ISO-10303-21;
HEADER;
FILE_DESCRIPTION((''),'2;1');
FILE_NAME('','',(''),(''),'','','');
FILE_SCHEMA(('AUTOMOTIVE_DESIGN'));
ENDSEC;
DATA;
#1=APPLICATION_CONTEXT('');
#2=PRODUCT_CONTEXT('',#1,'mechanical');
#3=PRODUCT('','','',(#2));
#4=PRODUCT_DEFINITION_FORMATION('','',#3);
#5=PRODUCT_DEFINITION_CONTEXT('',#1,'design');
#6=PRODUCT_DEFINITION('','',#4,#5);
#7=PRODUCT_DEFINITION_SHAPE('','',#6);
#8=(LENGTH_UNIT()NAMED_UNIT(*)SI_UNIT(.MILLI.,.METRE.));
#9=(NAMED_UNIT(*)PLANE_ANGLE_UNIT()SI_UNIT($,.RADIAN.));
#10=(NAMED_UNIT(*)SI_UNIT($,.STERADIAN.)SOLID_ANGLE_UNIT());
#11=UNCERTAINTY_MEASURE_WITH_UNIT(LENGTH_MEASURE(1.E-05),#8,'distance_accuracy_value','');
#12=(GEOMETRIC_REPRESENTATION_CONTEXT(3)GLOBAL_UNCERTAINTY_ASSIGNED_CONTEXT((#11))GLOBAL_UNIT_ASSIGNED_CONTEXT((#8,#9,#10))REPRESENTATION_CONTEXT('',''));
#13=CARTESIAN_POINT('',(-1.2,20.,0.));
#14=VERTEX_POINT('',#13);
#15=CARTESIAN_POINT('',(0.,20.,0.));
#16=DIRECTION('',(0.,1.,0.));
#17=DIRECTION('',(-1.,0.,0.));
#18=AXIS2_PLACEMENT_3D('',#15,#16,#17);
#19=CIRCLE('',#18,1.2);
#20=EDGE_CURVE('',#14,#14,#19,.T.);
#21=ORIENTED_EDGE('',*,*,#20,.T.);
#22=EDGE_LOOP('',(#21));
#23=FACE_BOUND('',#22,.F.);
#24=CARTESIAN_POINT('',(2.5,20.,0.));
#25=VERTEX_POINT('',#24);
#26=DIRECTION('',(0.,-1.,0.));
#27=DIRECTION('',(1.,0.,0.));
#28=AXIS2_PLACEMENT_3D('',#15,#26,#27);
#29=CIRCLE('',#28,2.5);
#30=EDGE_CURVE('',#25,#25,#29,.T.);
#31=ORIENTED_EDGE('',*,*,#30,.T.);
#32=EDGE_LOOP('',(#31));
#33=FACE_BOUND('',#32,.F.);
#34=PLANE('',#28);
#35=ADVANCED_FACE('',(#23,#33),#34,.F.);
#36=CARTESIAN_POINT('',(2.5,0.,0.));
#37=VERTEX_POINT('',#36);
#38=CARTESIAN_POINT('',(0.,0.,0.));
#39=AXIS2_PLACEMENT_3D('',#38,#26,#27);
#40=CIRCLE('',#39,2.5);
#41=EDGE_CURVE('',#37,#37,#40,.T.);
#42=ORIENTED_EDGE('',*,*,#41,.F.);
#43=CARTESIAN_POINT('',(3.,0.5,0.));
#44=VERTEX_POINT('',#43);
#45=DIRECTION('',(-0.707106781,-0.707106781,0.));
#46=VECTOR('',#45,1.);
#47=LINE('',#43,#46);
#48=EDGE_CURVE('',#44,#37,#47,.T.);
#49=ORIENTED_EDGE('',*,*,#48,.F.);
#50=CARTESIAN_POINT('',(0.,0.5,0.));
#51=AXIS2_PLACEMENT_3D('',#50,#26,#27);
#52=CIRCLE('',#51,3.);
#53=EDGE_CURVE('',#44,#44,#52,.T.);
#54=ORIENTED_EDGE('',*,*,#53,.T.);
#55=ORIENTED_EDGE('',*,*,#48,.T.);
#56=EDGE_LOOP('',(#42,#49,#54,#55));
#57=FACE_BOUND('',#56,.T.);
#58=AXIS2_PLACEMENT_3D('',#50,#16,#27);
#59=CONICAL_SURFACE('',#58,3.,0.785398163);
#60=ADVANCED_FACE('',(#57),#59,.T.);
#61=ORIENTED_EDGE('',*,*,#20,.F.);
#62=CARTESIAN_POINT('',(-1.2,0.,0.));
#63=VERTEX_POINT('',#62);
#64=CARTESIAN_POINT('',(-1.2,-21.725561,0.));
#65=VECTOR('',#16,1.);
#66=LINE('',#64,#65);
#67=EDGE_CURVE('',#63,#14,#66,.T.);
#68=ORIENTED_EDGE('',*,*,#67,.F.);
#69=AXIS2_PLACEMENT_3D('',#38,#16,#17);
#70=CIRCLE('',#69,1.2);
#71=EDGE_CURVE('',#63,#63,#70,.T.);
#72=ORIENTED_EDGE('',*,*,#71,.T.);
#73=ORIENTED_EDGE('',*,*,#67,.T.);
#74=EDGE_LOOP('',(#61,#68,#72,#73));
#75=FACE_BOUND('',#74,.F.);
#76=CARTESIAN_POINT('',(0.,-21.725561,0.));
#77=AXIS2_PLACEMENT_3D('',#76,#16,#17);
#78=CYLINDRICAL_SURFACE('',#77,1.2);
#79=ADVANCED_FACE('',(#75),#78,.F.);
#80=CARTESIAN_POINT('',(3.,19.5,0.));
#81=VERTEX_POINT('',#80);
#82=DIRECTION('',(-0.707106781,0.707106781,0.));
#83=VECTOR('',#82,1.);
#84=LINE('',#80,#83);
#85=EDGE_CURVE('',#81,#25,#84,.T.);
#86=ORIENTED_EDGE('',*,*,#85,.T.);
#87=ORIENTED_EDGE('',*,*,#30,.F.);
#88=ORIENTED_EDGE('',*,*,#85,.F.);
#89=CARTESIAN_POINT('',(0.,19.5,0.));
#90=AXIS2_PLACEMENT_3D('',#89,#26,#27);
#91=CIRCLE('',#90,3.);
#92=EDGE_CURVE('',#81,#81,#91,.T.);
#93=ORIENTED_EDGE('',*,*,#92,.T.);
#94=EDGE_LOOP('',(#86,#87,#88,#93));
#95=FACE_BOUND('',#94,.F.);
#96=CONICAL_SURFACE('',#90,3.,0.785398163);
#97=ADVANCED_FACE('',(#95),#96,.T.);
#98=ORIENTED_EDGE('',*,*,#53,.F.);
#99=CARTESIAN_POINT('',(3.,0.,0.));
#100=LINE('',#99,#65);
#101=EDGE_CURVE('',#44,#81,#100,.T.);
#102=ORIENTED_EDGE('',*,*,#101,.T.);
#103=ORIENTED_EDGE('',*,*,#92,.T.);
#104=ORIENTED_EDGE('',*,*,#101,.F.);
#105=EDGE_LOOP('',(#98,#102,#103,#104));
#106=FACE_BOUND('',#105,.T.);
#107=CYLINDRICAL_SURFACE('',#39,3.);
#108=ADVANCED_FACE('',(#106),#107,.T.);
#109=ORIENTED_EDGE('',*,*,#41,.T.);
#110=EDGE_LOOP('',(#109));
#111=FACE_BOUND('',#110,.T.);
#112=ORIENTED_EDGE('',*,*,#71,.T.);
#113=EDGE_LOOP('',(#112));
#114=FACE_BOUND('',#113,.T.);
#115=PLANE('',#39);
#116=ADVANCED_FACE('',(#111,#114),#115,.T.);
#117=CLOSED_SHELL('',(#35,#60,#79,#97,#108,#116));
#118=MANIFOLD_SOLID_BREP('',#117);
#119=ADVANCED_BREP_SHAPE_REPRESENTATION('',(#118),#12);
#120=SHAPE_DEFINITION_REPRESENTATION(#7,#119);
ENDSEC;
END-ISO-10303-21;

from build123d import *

# Parameters (mm, degrees)
F0_R     = 3
F1_DEPTH = 20
F2_D     = 2.4
F3_SIZE  = 0.5


with BuildPart() as f1:
    # F0 (on Front) → F1 (new body)
    with BuildSketch(Plane.XZ):
        Circle(F0_R)
    extrude(amount=-F1_DEPTH)

    # F2 (through all)
    with Locations(Plane.XZ):
        with Locations((0, 0)):
            Hole(F2_D / 2)

    # F3
    f3_edges = [f1.edges().sort_by_distance(p)[0] for p in [
        (-3, 0, 0),
        (-3, 20, 0),
    ]]
    chamfer(f3_edges, length=F3_SIZE)


solid = f1.part
